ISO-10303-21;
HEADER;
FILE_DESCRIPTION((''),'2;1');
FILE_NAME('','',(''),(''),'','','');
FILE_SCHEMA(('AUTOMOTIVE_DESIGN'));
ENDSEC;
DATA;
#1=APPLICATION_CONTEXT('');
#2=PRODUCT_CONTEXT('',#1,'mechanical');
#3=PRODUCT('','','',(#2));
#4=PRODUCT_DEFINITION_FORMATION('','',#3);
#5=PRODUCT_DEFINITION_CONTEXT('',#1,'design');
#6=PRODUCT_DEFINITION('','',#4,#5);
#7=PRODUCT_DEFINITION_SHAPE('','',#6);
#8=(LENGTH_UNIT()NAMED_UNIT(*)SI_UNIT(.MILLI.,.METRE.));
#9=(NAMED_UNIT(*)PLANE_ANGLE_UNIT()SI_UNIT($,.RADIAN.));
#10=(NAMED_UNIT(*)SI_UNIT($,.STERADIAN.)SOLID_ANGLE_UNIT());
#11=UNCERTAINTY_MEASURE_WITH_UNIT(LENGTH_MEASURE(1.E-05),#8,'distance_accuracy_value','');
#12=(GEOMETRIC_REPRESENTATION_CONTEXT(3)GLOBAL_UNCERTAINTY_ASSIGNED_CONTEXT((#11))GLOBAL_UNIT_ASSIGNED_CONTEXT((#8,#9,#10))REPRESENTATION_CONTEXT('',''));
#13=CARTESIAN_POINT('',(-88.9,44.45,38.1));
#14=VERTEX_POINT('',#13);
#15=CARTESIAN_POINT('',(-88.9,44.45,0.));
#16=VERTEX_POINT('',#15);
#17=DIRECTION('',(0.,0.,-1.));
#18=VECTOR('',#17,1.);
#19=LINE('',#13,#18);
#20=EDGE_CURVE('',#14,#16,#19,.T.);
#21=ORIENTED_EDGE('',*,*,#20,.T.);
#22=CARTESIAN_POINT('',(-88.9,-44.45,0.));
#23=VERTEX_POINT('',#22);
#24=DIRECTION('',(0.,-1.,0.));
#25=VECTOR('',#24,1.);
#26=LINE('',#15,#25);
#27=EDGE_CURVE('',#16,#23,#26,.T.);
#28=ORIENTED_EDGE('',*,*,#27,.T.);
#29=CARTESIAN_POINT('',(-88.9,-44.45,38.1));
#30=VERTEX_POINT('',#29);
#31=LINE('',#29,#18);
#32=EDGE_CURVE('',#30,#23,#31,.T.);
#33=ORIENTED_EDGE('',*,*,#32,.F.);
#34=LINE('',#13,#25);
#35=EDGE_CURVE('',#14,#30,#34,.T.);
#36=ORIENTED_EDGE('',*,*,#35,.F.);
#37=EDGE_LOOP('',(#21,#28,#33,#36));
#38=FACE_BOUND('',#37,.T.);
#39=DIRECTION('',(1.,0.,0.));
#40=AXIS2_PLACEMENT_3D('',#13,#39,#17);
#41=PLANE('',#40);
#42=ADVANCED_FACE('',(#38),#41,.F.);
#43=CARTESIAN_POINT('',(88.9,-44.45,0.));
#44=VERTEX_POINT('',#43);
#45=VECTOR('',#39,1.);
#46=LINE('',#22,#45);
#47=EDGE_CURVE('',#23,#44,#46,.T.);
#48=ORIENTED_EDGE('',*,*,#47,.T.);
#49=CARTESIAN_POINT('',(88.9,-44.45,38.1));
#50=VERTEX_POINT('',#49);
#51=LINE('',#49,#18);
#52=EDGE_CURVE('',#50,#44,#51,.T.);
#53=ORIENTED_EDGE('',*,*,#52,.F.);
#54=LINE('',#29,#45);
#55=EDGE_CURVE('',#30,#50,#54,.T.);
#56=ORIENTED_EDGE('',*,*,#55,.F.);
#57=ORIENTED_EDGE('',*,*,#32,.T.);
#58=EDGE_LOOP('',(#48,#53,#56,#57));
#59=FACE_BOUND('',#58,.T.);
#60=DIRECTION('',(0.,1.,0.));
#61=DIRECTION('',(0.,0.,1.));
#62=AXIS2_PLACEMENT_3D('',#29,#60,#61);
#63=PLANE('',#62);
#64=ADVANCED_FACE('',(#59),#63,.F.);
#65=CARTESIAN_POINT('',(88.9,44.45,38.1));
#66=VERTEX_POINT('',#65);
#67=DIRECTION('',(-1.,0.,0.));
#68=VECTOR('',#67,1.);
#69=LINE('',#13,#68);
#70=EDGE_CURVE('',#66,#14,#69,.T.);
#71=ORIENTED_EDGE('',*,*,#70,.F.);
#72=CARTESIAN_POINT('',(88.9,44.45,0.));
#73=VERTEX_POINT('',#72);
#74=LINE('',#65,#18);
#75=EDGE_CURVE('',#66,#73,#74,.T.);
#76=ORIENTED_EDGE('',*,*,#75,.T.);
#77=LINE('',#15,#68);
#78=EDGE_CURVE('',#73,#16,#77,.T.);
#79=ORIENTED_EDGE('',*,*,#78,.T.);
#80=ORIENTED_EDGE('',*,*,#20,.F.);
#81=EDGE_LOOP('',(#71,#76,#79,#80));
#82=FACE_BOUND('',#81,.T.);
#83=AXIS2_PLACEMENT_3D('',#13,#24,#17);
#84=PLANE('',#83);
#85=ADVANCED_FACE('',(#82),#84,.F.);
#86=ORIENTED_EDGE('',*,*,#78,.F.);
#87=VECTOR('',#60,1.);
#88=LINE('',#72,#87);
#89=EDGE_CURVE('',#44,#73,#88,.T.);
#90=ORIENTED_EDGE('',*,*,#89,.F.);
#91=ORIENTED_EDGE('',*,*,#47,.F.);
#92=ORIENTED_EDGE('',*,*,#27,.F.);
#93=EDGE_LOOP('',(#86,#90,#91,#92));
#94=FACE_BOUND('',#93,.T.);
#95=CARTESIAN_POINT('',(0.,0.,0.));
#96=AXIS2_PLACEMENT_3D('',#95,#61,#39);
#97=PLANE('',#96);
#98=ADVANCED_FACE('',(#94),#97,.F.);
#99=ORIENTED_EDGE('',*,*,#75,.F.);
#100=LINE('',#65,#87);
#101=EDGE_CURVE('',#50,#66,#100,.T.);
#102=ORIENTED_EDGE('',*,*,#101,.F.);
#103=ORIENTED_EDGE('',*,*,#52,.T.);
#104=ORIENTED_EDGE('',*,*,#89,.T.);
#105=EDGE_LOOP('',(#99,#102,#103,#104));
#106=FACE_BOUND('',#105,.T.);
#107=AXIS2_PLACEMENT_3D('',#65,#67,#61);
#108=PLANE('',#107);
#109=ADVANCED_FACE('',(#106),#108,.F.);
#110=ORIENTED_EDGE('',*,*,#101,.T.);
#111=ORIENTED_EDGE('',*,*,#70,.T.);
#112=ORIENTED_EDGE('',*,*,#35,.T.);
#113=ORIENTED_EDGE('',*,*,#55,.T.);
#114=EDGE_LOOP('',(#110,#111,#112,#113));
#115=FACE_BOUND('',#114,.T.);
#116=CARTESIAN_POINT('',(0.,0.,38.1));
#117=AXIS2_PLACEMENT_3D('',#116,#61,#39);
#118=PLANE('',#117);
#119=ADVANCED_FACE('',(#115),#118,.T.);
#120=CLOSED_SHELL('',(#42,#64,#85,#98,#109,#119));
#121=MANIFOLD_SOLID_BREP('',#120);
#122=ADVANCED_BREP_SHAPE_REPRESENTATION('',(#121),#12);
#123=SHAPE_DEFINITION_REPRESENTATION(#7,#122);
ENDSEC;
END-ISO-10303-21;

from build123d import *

# Parameters (mm, degrees)
SKETCH1_W           = 177.8
SKETCH1_H           = 88.9
BOSS_EXTRUDE1_DEPTH = 38.1


with BuildPart() as part:
    # Sketch1 → Boss-Extrude1 (new body)
    with BuildSketch(Plane.XY):
        Rectangle(SKETCH1_W, SKETCH1_H)
    extrude(amount=BOSS_EXTRUDE1_DEPTH)


solid = part.part
